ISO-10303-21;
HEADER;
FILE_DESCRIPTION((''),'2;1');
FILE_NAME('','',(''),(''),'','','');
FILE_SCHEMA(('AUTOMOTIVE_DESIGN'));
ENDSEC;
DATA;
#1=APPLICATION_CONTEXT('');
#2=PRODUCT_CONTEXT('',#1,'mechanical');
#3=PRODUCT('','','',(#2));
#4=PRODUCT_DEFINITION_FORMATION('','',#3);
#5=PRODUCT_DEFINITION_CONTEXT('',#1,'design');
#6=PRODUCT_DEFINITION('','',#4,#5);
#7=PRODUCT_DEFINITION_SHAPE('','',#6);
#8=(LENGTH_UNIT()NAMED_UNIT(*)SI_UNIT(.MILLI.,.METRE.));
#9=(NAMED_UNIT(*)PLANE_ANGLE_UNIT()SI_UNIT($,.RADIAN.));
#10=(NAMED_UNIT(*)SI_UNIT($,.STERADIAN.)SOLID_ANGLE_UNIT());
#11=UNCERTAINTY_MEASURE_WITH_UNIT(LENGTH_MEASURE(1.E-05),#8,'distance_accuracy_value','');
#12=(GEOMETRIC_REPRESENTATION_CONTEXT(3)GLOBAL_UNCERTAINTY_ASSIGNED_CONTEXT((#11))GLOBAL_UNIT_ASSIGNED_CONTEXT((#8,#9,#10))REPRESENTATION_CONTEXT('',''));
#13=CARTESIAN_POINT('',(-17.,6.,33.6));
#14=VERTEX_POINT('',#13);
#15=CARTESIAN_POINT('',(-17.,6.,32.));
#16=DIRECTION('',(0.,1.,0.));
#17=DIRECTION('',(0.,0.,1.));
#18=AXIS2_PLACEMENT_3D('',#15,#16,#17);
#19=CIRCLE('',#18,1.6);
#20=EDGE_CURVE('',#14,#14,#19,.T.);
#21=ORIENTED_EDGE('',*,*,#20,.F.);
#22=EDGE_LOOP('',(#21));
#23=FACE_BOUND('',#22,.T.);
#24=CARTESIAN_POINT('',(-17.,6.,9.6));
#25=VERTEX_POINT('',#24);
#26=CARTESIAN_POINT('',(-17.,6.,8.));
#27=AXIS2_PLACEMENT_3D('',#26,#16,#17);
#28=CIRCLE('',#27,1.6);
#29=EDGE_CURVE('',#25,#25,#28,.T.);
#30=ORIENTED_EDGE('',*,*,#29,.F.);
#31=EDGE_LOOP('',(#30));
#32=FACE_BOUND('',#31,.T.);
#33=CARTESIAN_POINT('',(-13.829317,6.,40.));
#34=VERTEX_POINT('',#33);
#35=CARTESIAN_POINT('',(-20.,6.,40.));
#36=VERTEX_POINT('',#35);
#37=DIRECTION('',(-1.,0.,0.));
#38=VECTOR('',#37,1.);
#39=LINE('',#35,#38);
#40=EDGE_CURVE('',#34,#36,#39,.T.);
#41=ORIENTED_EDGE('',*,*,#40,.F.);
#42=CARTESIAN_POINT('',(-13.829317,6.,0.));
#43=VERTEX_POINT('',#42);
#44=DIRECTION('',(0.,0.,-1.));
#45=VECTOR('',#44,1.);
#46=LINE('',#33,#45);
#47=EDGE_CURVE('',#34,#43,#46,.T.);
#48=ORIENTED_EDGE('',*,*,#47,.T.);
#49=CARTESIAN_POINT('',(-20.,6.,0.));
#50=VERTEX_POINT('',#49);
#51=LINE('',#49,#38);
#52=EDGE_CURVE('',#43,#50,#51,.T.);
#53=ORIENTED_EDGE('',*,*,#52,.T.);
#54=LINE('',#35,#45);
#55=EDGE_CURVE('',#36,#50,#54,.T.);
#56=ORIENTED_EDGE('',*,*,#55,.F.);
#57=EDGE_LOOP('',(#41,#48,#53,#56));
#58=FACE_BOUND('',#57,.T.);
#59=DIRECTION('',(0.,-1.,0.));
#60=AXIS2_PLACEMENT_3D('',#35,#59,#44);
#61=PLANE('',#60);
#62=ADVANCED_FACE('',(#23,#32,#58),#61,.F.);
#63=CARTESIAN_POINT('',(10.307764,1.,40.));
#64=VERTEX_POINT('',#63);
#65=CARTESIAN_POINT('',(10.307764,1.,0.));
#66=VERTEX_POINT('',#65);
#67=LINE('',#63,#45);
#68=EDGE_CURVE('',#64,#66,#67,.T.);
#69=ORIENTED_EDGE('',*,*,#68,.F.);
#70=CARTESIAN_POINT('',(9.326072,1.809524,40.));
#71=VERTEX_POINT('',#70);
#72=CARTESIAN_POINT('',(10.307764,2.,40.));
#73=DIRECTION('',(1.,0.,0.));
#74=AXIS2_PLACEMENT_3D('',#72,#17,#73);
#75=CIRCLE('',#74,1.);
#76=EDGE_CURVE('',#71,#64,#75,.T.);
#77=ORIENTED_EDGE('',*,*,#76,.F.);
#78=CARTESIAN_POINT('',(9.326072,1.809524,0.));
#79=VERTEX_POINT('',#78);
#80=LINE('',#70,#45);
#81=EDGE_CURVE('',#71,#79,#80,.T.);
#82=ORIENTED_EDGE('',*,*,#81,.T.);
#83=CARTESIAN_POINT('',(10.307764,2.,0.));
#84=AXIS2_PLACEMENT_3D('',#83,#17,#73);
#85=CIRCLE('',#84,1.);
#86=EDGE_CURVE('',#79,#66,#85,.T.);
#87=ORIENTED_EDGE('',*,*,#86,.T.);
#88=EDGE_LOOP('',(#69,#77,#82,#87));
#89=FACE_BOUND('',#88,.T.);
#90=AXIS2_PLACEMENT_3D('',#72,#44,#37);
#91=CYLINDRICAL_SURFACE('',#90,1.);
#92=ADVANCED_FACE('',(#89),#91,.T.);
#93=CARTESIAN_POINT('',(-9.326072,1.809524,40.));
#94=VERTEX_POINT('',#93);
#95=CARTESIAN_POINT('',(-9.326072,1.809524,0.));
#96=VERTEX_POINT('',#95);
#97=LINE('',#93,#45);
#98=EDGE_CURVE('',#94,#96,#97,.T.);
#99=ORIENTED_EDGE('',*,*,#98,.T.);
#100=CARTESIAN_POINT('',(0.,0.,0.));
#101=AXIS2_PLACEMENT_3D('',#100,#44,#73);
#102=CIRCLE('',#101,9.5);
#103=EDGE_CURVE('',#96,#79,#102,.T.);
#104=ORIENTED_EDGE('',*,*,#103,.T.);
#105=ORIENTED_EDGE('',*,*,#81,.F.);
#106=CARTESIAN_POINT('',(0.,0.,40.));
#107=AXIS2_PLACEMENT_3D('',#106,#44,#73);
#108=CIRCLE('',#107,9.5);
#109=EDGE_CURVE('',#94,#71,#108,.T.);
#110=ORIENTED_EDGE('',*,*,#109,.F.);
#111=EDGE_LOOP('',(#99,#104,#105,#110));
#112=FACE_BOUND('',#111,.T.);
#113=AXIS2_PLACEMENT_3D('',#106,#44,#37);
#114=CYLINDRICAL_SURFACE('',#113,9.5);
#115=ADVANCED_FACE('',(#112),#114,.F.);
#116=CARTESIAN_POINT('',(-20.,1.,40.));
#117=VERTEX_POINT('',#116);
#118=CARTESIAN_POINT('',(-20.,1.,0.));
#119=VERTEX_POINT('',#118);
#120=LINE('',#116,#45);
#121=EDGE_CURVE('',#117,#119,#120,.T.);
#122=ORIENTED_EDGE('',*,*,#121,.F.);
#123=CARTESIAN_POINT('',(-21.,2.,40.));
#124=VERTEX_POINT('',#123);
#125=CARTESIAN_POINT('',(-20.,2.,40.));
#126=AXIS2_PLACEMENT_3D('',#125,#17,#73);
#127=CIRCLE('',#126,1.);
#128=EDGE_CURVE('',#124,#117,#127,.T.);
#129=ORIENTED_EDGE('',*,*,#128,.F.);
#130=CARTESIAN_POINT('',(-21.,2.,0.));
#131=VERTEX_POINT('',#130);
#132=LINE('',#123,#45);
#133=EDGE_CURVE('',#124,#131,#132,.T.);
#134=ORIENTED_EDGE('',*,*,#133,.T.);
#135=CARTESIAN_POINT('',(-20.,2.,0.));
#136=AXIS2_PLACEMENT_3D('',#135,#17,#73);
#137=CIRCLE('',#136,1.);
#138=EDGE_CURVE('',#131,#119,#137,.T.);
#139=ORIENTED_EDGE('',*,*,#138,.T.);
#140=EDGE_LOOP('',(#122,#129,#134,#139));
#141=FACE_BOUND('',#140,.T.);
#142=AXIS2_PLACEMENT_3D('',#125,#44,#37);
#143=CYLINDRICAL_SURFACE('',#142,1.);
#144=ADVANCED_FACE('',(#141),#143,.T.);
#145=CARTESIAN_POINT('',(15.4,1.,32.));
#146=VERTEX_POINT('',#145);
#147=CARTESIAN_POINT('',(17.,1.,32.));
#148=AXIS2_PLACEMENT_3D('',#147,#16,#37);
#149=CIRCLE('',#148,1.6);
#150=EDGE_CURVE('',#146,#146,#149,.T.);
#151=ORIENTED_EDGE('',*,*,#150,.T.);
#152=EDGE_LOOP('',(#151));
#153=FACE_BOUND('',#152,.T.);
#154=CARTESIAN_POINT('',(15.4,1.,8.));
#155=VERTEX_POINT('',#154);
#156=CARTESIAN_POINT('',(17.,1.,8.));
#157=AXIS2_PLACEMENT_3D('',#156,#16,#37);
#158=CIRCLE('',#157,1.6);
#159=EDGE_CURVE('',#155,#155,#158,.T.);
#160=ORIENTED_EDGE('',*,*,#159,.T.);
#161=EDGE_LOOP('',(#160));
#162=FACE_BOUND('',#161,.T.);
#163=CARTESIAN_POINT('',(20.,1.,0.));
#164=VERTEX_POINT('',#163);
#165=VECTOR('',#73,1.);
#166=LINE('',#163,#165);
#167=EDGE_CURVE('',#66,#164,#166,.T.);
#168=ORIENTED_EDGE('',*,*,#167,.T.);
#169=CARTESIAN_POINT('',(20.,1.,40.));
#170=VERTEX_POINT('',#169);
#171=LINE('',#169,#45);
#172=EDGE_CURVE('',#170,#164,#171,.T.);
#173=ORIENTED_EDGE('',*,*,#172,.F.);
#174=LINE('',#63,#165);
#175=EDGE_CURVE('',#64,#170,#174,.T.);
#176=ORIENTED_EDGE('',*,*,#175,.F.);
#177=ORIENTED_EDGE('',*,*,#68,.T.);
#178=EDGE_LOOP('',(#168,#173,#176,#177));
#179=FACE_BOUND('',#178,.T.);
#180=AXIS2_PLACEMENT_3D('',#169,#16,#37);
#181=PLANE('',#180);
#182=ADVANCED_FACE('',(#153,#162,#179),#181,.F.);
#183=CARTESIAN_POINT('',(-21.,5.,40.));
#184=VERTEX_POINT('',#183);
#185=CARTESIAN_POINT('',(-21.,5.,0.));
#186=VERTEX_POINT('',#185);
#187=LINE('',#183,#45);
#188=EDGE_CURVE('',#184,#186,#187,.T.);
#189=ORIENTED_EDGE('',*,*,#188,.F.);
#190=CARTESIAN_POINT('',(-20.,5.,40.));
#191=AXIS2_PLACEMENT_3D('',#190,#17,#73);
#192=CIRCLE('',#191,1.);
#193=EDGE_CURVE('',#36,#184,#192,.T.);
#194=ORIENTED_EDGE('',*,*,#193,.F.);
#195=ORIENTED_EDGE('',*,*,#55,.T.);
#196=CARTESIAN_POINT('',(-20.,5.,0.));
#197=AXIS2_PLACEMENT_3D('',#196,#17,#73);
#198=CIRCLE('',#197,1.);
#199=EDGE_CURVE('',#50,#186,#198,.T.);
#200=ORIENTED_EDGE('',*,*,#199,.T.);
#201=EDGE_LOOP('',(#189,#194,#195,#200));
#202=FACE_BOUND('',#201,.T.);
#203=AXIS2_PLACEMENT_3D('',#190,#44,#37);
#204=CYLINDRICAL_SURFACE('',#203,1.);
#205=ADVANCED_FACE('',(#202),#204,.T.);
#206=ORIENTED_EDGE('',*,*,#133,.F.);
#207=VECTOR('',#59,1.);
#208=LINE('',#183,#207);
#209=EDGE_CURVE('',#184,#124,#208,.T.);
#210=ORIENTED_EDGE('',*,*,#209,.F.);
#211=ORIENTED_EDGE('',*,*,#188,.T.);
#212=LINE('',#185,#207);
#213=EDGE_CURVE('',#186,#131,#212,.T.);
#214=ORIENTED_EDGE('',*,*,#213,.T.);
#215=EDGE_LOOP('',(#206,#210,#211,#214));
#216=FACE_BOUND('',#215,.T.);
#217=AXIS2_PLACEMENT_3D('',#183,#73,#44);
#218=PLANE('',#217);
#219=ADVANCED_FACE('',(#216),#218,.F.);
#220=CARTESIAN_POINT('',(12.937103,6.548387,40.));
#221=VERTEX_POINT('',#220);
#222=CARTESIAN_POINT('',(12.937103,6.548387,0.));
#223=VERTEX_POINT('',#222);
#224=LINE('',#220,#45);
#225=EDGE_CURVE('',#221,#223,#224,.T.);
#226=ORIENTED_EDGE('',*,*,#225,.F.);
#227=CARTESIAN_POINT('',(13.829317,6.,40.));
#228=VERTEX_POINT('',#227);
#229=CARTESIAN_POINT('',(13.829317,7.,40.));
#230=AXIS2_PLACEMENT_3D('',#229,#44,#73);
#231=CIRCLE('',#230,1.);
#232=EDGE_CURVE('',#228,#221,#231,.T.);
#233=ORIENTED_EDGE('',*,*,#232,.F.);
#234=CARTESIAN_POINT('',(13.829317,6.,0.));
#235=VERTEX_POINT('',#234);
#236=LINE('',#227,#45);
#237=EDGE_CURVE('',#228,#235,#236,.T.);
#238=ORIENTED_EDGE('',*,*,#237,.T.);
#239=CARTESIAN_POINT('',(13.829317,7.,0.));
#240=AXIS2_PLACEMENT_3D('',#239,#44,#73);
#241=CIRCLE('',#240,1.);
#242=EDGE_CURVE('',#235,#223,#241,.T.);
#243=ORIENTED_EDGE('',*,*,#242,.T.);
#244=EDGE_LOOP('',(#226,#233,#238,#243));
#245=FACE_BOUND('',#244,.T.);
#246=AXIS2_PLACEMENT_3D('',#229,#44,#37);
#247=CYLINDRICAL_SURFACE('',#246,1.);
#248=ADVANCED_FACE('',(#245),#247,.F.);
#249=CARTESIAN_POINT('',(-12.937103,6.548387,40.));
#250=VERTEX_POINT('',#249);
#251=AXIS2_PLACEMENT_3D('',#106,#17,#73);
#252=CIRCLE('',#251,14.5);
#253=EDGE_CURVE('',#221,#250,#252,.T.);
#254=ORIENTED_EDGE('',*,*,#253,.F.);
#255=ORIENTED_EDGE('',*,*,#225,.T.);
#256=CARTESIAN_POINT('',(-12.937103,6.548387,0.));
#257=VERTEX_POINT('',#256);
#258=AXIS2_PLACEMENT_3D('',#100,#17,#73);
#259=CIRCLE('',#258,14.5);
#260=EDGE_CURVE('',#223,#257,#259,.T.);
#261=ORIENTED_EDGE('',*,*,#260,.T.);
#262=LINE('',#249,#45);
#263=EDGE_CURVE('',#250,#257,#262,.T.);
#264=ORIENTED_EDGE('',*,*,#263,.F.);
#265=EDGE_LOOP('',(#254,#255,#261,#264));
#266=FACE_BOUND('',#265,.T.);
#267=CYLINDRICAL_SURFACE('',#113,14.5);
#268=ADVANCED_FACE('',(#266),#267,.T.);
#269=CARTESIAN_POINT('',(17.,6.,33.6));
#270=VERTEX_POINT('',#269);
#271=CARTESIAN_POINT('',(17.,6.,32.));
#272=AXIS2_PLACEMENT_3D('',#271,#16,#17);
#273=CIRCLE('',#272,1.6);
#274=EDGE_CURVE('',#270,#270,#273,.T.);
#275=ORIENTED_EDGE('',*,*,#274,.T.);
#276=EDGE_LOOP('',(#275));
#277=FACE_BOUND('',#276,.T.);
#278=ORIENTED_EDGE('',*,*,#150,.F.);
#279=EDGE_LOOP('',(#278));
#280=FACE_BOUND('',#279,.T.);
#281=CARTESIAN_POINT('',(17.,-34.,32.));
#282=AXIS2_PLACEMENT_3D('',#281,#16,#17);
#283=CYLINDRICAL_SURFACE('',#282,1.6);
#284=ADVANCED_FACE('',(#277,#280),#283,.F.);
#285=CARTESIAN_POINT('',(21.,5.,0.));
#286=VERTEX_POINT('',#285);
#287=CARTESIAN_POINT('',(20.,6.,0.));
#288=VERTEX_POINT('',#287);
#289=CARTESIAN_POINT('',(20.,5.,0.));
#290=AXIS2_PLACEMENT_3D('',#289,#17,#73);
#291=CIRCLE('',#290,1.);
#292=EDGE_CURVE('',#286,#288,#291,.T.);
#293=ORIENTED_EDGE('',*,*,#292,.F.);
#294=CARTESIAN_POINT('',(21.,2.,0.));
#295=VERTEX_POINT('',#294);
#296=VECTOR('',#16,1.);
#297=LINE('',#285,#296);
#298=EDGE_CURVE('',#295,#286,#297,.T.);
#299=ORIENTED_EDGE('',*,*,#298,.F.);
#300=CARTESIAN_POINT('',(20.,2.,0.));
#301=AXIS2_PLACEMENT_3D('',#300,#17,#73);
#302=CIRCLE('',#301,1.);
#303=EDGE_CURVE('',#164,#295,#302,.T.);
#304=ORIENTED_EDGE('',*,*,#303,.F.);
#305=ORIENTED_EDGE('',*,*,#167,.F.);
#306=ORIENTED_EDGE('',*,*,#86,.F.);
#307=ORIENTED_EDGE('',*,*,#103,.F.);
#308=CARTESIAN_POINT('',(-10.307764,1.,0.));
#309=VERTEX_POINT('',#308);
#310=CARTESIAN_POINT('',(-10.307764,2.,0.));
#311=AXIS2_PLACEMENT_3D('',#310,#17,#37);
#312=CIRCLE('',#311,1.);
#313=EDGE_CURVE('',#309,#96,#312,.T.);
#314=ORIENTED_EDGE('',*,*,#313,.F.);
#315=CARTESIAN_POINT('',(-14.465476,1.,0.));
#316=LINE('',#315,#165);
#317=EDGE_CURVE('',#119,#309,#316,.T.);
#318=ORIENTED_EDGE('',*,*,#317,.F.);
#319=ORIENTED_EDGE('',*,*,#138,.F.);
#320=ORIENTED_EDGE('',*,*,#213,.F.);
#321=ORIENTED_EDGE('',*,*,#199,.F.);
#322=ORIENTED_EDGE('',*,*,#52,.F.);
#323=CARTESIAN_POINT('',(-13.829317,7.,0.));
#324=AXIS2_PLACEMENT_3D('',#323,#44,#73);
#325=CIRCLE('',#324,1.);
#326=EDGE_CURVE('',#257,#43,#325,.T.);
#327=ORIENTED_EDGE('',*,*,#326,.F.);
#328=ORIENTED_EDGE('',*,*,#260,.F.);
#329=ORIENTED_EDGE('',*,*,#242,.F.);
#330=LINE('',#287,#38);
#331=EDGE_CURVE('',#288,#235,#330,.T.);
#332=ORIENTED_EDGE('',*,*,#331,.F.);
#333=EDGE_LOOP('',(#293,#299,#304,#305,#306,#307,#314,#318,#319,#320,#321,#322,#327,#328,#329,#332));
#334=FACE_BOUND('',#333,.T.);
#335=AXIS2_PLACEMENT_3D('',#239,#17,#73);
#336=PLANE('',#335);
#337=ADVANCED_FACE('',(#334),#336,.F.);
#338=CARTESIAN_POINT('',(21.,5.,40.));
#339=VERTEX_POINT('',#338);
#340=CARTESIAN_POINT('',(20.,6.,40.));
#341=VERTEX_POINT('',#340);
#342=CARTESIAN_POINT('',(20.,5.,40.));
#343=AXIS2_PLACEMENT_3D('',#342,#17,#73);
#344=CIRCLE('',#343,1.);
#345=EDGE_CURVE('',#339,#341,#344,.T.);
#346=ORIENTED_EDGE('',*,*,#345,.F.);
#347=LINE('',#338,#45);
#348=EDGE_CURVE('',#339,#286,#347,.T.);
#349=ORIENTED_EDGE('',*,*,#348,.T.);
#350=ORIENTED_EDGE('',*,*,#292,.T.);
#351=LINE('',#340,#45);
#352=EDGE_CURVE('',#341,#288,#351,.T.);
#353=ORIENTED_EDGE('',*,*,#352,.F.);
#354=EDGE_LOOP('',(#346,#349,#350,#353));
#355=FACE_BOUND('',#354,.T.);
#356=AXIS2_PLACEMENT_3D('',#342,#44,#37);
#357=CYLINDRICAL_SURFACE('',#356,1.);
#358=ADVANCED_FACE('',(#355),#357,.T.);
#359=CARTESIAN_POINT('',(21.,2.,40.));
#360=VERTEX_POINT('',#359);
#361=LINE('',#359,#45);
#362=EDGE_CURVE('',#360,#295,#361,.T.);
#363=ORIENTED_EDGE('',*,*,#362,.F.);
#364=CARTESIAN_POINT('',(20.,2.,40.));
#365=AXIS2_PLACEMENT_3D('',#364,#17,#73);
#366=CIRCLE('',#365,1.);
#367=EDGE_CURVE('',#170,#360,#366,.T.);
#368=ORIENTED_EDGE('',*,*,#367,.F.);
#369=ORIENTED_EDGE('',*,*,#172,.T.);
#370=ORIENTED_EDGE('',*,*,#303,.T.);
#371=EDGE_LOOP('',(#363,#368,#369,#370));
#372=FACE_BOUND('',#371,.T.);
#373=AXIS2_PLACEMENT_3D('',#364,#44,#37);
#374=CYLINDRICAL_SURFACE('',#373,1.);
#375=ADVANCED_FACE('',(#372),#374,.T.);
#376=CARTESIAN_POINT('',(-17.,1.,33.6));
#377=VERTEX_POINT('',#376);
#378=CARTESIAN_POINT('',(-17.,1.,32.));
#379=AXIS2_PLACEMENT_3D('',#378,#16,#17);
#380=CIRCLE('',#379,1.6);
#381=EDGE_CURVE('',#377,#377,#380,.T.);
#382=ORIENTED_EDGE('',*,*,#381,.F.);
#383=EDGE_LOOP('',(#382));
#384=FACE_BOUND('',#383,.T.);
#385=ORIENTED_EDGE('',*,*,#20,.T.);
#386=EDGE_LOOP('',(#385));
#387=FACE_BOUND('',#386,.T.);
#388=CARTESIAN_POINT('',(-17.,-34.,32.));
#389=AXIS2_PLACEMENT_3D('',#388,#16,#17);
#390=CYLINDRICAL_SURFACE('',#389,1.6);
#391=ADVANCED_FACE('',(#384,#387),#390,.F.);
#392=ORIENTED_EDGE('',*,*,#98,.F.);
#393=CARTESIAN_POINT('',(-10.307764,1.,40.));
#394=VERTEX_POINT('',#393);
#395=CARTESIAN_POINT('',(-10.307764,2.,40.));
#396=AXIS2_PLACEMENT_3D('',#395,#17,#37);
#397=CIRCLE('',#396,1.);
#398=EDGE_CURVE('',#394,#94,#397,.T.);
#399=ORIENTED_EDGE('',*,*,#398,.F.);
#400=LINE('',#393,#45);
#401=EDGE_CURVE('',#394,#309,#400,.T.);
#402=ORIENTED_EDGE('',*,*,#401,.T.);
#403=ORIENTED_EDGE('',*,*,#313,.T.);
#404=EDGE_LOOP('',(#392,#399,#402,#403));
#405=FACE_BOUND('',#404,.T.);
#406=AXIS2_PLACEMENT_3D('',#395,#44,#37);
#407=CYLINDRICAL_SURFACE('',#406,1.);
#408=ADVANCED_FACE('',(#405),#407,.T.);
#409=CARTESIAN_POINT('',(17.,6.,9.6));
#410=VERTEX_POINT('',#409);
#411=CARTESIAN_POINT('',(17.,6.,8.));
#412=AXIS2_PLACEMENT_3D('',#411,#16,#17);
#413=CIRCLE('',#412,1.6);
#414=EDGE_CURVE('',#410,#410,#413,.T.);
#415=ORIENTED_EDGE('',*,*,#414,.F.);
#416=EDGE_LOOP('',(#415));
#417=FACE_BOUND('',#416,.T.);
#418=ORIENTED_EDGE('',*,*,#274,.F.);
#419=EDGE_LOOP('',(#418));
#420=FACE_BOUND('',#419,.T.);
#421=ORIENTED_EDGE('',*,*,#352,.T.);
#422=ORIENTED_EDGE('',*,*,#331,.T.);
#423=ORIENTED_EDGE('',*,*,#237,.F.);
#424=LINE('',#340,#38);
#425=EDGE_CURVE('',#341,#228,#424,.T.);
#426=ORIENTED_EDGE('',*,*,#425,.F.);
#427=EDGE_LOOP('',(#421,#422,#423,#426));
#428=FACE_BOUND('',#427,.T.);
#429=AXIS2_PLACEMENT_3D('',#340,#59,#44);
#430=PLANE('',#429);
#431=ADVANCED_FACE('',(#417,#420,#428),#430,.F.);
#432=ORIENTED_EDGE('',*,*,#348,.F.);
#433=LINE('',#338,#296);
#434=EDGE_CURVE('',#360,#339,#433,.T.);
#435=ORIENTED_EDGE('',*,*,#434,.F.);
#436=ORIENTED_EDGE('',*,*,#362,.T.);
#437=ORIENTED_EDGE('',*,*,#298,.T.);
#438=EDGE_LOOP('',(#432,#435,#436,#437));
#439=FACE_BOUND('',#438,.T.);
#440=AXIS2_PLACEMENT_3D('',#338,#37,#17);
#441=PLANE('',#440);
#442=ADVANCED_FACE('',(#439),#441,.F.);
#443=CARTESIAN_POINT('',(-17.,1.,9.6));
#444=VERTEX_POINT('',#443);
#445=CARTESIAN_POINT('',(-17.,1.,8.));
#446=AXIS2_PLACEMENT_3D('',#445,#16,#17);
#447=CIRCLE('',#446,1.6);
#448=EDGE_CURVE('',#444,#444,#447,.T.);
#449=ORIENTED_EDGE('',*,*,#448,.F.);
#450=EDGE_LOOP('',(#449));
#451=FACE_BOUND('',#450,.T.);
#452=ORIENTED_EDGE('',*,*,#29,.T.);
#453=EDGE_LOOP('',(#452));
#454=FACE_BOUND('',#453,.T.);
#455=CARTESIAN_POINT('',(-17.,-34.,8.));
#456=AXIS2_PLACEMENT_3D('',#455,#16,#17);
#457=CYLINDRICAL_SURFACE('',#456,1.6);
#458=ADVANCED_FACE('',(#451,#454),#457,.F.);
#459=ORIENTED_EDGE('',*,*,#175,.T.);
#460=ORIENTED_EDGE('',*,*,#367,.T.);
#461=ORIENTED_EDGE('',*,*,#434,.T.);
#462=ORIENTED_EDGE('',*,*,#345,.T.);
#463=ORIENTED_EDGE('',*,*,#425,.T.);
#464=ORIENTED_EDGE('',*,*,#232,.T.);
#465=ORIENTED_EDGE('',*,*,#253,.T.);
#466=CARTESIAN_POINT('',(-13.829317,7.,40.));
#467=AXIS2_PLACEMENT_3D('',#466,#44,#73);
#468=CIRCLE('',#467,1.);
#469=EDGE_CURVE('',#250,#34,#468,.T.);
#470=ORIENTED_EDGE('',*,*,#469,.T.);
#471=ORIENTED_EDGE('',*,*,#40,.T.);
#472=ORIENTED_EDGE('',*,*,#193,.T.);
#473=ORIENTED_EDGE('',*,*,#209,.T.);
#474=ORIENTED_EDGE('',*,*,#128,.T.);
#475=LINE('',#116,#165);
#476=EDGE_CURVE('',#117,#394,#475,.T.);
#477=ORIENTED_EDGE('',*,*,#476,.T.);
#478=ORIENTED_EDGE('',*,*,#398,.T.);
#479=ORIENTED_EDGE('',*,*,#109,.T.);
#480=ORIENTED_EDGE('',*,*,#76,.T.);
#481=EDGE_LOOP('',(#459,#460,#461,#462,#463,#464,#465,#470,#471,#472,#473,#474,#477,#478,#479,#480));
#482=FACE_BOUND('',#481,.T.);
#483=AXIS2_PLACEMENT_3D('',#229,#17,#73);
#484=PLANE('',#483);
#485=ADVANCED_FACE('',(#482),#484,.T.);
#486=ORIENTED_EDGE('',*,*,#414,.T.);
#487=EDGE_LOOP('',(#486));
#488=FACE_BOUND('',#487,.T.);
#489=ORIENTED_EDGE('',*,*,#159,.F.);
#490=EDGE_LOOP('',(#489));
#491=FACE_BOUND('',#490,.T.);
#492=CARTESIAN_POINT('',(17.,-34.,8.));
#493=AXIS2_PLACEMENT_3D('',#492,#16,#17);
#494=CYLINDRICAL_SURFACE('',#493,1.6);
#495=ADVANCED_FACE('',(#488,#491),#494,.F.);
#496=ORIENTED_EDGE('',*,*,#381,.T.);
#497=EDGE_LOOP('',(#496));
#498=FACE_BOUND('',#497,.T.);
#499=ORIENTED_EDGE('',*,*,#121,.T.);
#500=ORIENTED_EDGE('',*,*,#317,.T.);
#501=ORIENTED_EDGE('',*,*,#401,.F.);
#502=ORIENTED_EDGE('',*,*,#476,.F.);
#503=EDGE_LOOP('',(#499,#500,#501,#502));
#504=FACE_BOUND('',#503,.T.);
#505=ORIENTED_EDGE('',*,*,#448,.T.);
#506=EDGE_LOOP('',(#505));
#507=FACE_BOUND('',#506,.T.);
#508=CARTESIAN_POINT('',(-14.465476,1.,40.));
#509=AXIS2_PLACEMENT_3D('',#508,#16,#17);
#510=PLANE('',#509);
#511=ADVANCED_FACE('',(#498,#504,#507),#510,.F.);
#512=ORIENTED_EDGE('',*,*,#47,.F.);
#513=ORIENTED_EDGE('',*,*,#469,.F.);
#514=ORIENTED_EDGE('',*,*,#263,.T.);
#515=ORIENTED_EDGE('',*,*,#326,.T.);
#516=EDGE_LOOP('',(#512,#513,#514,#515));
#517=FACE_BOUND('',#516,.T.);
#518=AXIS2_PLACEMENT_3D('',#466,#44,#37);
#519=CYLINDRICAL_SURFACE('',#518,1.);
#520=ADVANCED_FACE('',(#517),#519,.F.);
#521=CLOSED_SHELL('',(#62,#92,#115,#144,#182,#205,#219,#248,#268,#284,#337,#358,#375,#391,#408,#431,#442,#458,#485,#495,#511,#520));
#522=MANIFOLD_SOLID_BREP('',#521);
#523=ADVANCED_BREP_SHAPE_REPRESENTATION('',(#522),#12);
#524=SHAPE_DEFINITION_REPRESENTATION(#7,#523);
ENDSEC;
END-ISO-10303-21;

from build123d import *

# Parameters (mm, degrees)
EXTRUDE_1_DEPTH     = 40
SKETCH_2_R          = 1.6
CUT_EXTRUDE_1_DEPTH = 40


with BuildPart() as part:
    # 草图1 → 凸台-拉伸1 (new body)
    with BuildSketch(Plane.XY):
        with BuildLine():
            Line((-14.465476141, 1), (-10.307764064, 1))
            ThreePointArc((-10.307764064, 1), (-9.671555054, 1.22848325), (-9.326072248, 1.80952381))
            ThreePointArc((-9.326072248, 1.80952381), (0, 9.5), (9.326072248, 1.80952381))
            ThreePointArc((9.326072248, 1.80952381), (9.671555054, 1.22848325), (10.307764064, 1))
            Line((10.307764064, 1), (14.465476141, 1))
            Line((14.465476141, 1), (20, 1))
            ThreePointArc((20, 1), (20.707106781, 1.292893219), (21, 2))
            Line((21, 2), (21, 5))
            ThreePointArc((21, 5), (20.707106781, 5.707106781), (20, 6))
            Line((20, 6), (13.829316686, 6))
            ThreePointArc((13.829316686, 6), (13.305681748, 6.148057249), (12.937102706, 6.548387097))
            ThreePointArc((12.937102706, 6.548387097), (0, 14.5), (-12.937102706, 6.548387097))
            ThreePointArc((-12.937102706, 6.548387097), (-13.305681748, 6.148057249), (-13.829316686, 6))
            Line((-13.829316686, 6), (-20, 6))
            ThreePointArc((-20, 6), (-20.707106781, 5.707106781), (-21, 5))
            Line((-21, 5), (-21, 2))
            ThreePointArc((-21, 2), (-20.707106781, 1.292893219), (-20, 1))
            Line((-20, 1), (-14.465476141, 1))
        make_face()
    extrude(amount=EXTRUDE_1_DEPTH)

    # 草图2 → 切除-拉伸1 (cut)
    with BuildSketch(Plane(origin=(0, 6, 0), x_dir=(1, 0, 0), z_dir=(0, 1, 0))):
        with Locations(Location((-17, -8, 0), (0, 0, 270))):
            Circle(SKETCH_2_R)
        with Locations(Location((17, -8, 0), (0, 0, 270))):
            Circle(SKETCH_2_R)
        with Locations(Location((17, -32, 0), (0, 0, 270))):
            Circle(SKETCH_2_R)
        with Locations(Location((-17, -32, 0), (0, 0, 270))):
            Circle(SKETCH_2_R)
    extrude(amount=-CUT_EXTRUDE_1_DEPTH, mode=Mode.SUBTRACT)


solid = part.part
